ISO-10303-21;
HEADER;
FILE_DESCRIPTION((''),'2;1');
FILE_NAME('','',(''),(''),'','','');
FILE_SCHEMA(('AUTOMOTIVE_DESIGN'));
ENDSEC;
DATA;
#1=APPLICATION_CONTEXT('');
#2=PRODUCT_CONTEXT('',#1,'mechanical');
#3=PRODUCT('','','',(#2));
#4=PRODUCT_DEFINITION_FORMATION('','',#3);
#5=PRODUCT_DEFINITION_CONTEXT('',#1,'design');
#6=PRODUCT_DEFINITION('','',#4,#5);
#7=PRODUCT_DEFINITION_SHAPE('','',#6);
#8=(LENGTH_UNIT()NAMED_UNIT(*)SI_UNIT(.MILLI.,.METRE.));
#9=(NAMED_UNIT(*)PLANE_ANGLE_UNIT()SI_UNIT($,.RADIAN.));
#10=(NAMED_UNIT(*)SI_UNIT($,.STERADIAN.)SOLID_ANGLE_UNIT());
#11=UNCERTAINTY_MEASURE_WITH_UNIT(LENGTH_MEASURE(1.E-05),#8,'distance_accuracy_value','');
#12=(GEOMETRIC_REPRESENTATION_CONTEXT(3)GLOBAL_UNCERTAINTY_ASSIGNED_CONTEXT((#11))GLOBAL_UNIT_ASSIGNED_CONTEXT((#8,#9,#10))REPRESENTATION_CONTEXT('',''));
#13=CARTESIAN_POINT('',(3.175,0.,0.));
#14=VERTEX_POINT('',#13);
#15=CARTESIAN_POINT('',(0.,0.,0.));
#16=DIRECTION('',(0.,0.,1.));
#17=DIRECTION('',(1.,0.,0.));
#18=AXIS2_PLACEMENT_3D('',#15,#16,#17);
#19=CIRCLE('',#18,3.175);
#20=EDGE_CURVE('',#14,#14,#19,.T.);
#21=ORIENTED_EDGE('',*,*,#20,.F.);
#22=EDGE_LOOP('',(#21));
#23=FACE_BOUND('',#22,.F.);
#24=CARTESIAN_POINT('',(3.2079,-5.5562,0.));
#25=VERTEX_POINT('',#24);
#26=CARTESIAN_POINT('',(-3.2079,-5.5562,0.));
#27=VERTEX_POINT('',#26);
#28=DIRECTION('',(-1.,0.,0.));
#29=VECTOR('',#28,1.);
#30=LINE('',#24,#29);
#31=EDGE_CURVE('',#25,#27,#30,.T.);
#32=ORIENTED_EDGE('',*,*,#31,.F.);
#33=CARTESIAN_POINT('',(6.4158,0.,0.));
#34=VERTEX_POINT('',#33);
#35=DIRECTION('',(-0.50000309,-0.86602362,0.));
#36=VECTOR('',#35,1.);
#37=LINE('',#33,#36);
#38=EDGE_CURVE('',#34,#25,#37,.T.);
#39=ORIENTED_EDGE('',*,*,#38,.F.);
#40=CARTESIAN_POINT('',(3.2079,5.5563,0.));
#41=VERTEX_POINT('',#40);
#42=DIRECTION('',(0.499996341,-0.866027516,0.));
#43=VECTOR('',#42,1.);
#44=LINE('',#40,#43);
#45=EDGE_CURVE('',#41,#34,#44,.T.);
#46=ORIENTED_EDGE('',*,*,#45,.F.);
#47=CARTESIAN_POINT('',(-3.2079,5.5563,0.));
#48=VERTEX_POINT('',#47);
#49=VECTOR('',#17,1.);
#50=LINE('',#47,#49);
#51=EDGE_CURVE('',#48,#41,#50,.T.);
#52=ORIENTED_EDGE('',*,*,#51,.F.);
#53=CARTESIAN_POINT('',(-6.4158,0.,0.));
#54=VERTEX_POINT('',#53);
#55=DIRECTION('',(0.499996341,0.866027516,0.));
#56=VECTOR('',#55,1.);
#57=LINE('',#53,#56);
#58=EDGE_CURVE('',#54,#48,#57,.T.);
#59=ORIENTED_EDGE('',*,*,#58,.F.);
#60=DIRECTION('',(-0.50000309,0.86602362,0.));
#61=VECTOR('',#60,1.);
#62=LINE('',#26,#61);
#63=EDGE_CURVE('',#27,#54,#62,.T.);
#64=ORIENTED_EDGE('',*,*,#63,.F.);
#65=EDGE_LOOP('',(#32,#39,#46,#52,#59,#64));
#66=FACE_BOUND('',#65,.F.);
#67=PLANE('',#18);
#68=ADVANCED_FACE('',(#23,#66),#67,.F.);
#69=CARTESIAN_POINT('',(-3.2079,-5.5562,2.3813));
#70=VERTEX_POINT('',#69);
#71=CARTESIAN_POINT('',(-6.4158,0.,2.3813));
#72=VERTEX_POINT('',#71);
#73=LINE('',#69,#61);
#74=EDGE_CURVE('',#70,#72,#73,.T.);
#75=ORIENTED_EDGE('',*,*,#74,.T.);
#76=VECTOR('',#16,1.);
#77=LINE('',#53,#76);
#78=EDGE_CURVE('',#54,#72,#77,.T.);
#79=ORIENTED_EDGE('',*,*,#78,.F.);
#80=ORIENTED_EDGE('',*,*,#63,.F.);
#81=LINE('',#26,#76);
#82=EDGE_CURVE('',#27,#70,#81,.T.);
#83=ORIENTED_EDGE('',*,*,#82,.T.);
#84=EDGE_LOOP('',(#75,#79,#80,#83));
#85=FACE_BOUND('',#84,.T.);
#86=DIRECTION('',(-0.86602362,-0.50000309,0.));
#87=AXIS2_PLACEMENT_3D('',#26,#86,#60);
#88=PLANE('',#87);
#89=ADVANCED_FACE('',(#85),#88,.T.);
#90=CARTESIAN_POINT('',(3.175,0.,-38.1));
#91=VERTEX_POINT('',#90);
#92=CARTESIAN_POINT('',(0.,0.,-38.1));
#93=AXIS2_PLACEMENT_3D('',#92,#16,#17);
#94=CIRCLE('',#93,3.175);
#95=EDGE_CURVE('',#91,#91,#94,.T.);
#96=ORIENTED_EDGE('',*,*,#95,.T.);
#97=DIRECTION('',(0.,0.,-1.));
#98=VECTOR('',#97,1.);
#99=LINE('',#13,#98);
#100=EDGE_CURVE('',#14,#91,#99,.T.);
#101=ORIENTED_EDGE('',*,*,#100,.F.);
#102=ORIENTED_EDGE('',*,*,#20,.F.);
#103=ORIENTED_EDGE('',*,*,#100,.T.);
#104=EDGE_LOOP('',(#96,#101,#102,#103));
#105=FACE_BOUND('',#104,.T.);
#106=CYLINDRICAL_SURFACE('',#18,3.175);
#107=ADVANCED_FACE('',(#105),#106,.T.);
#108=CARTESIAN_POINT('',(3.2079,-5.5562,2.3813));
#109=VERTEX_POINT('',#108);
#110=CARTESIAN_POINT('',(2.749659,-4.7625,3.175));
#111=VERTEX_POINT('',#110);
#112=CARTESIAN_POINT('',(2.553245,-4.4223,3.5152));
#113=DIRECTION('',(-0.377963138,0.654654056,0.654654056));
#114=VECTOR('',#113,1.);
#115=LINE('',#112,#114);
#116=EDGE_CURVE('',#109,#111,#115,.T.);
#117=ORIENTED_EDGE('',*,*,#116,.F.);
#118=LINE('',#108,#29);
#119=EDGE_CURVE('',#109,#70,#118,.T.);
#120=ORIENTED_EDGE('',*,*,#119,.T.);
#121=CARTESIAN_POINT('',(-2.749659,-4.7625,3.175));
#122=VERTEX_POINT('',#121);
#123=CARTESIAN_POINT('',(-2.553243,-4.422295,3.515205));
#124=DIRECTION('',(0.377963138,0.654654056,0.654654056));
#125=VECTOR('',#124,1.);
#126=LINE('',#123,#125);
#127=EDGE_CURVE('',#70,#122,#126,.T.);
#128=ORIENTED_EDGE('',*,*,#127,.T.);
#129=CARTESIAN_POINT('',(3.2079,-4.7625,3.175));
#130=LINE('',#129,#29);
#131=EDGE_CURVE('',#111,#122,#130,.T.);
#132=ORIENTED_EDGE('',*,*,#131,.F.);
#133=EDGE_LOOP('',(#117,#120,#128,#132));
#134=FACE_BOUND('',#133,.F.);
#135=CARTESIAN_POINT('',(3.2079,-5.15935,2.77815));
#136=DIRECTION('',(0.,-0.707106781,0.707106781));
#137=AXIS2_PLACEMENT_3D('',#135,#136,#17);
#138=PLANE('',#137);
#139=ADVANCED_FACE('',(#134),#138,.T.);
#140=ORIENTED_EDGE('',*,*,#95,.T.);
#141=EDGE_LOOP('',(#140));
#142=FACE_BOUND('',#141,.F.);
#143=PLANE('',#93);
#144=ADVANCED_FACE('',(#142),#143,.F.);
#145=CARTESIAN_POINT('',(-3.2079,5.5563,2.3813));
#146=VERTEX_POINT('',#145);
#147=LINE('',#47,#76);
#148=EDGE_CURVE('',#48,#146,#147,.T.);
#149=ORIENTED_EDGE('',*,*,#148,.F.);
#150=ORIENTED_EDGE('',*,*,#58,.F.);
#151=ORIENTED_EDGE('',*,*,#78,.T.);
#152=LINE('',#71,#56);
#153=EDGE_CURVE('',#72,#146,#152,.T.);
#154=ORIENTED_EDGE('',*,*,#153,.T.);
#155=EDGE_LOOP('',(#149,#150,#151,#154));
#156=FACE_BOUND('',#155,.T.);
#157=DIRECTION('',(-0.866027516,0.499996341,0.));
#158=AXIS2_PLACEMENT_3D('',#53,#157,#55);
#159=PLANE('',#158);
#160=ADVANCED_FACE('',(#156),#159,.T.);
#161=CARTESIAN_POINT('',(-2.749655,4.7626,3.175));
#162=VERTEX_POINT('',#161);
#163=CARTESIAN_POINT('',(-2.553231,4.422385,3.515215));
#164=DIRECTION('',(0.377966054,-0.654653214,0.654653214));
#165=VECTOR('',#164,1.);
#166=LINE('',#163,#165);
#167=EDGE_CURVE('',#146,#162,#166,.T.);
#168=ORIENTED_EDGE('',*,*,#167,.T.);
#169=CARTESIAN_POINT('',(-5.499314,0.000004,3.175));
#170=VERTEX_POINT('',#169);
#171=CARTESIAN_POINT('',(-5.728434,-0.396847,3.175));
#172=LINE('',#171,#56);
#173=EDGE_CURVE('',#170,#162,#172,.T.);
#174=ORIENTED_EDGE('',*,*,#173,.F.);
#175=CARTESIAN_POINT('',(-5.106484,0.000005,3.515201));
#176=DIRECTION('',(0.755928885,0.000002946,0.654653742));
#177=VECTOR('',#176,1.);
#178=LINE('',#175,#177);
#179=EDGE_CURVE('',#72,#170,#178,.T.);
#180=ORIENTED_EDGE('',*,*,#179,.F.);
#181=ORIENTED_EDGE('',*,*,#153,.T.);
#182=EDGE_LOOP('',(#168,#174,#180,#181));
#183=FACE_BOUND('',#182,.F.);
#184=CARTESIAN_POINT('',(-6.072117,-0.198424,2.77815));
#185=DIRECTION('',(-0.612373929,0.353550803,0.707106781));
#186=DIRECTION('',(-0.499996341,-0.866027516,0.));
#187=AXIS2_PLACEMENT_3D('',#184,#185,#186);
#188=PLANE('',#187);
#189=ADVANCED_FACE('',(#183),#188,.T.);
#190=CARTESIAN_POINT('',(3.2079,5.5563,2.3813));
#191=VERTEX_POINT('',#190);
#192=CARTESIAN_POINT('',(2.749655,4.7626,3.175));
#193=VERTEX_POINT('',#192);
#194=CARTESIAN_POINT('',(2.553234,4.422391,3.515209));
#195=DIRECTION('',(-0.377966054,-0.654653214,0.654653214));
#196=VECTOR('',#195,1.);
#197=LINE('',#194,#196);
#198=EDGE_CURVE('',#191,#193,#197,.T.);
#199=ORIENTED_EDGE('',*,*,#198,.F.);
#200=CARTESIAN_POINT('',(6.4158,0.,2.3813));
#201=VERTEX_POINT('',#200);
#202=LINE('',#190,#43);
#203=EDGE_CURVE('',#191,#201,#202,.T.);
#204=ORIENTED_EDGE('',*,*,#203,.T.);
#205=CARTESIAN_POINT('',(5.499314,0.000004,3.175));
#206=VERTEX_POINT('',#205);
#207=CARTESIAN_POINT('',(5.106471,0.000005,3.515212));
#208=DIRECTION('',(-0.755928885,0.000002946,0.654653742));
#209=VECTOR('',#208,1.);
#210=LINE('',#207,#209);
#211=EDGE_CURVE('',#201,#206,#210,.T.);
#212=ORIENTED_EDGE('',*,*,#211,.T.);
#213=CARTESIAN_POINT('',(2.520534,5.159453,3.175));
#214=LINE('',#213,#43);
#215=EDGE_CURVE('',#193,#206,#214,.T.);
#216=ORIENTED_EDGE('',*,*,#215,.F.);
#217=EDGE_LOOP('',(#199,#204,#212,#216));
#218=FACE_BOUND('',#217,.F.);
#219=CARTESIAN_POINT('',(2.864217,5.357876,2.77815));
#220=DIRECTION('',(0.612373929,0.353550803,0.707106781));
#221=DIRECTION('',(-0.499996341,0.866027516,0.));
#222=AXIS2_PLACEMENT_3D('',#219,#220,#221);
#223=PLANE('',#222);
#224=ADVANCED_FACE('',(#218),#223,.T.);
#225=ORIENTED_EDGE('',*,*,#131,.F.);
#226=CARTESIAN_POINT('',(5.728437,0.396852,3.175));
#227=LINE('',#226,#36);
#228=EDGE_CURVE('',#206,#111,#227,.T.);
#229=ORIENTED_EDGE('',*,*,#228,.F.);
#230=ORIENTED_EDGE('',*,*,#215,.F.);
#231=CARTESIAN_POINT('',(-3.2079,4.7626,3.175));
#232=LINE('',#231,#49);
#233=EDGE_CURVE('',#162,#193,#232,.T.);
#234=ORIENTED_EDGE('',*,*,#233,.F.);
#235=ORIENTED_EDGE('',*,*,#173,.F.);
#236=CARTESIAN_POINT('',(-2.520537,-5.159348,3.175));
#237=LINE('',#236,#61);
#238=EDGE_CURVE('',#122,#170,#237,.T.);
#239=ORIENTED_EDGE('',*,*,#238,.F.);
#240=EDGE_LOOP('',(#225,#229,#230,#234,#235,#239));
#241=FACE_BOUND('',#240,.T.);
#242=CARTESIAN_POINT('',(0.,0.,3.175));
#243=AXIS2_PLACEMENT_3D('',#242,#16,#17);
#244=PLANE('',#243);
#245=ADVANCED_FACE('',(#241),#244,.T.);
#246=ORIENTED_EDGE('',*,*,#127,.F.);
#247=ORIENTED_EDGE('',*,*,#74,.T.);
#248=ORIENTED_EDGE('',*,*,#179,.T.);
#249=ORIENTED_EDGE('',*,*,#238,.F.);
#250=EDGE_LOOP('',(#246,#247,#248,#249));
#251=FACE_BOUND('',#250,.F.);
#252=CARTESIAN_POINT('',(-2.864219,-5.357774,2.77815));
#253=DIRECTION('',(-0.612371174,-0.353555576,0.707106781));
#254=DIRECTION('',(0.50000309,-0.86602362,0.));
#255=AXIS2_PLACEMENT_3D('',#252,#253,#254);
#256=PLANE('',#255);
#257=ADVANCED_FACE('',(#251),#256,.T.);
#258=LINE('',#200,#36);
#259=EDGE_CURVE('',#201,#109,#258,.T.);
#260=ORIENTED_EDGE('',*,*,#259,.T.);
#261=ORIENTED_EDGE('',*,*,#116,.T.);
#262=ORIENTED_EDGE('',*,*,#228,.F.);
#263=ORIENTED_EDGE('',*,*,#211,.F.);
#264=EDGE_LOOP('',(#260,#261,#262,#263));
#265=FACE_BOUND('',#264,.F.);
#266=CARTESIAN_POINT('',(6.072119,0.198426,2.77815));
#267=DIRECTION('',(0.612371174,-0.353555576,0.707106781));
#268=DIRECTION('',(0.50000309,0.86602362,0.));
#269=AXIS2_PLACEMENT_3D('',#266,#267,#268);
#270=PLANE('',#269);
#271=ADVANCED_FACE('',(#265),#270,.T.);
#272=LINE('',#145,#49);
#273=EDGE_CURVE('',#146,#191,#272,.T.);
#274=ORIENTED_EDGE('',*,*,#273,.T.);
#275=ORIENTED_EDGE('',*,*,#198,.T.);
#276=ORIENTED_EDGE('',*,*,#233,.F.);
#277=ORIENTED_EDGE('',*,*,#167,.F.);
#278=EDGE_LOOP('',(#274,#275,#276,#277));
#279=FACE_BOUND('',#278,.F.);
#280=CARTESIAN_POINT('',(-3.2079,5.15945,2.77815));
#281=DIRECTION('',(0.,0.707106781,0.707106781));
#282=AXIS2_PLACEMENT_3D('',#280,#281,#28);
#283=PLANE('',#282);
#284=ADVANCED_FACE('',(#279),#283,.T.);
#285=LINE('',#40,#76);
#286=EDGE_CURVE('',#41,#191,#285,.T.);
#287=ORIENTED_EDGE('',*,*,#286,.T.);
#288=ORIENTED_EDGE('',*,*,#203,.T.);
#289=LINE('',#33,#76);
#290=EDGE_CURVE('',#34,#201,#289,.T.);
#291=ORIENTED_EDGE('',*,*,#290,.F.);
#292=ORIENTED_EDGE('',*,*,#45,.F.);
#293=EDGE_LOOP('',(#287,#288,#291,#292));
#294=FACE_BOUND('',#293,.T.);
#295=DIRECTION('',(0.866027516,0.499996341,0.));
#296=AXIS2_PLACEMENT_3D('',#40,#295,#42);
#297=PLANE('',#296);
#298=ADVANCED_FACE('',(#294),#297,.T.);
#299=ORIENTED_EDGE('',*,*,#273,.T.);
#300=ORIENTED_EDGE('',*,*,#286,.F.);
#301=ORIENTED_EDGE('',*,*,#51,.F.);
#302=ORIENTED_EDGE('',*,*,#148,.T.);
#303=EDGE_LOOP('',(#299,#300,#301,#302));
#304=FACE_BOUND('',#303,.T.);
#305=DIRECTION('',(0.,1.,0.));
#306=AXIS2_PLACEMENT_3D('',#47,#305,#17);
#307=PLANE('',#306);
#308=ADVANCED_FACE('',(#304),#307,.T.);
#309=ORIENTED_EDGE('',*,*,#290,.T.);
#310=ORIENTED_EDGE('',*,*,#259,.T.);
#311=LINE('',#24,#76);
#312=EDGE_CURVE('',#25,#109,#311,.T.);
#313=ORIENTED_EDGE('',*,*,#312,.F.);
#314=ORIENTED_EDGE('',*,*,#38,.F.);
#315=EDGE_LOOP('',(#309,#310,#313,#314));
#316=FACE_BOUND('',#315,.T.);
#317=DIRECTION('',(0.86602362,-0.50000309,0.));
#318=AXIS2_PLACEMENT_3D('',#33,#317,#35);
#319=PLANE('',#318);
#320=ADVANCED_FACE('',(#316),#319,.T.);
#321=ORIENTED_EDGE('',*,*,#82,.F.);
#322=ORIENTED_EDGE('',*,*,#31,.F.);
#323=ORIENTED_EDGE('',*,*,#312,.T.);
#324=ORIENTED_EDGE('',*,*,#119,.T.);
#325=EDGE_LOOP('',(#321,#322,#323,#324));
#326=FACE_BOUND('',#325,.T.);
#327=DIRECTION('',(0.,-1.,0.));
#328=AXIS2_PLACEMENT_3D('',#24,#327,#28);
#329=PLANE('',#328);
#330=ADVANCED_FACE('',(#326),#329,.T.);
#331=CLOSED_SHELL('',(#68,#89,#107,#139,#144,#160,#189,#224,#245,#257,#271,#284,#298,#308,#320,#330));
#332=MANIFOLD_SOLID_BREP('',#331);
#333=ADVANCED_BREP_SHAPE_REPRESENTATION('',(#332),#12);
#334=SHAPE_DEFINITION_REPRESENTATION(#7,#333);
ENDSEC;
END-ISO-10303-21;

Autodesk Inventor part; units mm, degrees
ref_plane "YZ Plane" through (0, 0, 0) normal (1, 0, 0) x (0, 1, 0)
ref_plane "XZ Plane" through (0, 0, 0) normal (0, 1, 0) x (-1, 0, 0)
ref_plane "XY Plane" through (0, 0, 0) normal (0, 0, 1) x (1, 0, 0)
sketch "Sketch1" plane through (0, 0, 0) normal (0, 0, 1) x (1, 0, 0)
  circle A0 centre (0, 0) radius 3.175
  line L0 (3.2079, 5.5563) -> (6.4158, 0)
  line L1 (6.4158, 0) -> (3.2079, -5.5562)
  line L2 (3.2079, -5.5562) -> (-3.2079, -5.5562)
  line L3 (-3.2079, -5.5562) -> (-6.4158, 0)
  line L4 (-6.4158, 0) -> (-3.2079, 5.5563)
  line L5 (-3.2079, 5.5563) -> (3.2079, 5.5563)
  dimension "d0" = 6.35
  dimension "d1" = 11.1125
extrude "Extrusion1" add sketch "Sketch1" against normal blind 38.1 contours A0
extrude "Extrusion2" add sketch "Sketch1" along normal blind 3.175 contours A0 | L0 L1 L2 L3 L4 L5
thread "Thread1" size "1/4-20 UNC" class "2A" standard "ANSI Unified Screw Threads" full length
chamfer "Chamfer1" distance 0.7937 angle 45 6 edges at (4.8119, 2.7781, 3.175) (0, 5.5563, 3.175) (-4.8119, 2.7781, 3.175) (-4.8119, -2.7781, 3.175) (0, -5.5562, 3.175) (4.8119, -2.7781, 3.175)
properties part number "1.5_bolt_.25_20"
